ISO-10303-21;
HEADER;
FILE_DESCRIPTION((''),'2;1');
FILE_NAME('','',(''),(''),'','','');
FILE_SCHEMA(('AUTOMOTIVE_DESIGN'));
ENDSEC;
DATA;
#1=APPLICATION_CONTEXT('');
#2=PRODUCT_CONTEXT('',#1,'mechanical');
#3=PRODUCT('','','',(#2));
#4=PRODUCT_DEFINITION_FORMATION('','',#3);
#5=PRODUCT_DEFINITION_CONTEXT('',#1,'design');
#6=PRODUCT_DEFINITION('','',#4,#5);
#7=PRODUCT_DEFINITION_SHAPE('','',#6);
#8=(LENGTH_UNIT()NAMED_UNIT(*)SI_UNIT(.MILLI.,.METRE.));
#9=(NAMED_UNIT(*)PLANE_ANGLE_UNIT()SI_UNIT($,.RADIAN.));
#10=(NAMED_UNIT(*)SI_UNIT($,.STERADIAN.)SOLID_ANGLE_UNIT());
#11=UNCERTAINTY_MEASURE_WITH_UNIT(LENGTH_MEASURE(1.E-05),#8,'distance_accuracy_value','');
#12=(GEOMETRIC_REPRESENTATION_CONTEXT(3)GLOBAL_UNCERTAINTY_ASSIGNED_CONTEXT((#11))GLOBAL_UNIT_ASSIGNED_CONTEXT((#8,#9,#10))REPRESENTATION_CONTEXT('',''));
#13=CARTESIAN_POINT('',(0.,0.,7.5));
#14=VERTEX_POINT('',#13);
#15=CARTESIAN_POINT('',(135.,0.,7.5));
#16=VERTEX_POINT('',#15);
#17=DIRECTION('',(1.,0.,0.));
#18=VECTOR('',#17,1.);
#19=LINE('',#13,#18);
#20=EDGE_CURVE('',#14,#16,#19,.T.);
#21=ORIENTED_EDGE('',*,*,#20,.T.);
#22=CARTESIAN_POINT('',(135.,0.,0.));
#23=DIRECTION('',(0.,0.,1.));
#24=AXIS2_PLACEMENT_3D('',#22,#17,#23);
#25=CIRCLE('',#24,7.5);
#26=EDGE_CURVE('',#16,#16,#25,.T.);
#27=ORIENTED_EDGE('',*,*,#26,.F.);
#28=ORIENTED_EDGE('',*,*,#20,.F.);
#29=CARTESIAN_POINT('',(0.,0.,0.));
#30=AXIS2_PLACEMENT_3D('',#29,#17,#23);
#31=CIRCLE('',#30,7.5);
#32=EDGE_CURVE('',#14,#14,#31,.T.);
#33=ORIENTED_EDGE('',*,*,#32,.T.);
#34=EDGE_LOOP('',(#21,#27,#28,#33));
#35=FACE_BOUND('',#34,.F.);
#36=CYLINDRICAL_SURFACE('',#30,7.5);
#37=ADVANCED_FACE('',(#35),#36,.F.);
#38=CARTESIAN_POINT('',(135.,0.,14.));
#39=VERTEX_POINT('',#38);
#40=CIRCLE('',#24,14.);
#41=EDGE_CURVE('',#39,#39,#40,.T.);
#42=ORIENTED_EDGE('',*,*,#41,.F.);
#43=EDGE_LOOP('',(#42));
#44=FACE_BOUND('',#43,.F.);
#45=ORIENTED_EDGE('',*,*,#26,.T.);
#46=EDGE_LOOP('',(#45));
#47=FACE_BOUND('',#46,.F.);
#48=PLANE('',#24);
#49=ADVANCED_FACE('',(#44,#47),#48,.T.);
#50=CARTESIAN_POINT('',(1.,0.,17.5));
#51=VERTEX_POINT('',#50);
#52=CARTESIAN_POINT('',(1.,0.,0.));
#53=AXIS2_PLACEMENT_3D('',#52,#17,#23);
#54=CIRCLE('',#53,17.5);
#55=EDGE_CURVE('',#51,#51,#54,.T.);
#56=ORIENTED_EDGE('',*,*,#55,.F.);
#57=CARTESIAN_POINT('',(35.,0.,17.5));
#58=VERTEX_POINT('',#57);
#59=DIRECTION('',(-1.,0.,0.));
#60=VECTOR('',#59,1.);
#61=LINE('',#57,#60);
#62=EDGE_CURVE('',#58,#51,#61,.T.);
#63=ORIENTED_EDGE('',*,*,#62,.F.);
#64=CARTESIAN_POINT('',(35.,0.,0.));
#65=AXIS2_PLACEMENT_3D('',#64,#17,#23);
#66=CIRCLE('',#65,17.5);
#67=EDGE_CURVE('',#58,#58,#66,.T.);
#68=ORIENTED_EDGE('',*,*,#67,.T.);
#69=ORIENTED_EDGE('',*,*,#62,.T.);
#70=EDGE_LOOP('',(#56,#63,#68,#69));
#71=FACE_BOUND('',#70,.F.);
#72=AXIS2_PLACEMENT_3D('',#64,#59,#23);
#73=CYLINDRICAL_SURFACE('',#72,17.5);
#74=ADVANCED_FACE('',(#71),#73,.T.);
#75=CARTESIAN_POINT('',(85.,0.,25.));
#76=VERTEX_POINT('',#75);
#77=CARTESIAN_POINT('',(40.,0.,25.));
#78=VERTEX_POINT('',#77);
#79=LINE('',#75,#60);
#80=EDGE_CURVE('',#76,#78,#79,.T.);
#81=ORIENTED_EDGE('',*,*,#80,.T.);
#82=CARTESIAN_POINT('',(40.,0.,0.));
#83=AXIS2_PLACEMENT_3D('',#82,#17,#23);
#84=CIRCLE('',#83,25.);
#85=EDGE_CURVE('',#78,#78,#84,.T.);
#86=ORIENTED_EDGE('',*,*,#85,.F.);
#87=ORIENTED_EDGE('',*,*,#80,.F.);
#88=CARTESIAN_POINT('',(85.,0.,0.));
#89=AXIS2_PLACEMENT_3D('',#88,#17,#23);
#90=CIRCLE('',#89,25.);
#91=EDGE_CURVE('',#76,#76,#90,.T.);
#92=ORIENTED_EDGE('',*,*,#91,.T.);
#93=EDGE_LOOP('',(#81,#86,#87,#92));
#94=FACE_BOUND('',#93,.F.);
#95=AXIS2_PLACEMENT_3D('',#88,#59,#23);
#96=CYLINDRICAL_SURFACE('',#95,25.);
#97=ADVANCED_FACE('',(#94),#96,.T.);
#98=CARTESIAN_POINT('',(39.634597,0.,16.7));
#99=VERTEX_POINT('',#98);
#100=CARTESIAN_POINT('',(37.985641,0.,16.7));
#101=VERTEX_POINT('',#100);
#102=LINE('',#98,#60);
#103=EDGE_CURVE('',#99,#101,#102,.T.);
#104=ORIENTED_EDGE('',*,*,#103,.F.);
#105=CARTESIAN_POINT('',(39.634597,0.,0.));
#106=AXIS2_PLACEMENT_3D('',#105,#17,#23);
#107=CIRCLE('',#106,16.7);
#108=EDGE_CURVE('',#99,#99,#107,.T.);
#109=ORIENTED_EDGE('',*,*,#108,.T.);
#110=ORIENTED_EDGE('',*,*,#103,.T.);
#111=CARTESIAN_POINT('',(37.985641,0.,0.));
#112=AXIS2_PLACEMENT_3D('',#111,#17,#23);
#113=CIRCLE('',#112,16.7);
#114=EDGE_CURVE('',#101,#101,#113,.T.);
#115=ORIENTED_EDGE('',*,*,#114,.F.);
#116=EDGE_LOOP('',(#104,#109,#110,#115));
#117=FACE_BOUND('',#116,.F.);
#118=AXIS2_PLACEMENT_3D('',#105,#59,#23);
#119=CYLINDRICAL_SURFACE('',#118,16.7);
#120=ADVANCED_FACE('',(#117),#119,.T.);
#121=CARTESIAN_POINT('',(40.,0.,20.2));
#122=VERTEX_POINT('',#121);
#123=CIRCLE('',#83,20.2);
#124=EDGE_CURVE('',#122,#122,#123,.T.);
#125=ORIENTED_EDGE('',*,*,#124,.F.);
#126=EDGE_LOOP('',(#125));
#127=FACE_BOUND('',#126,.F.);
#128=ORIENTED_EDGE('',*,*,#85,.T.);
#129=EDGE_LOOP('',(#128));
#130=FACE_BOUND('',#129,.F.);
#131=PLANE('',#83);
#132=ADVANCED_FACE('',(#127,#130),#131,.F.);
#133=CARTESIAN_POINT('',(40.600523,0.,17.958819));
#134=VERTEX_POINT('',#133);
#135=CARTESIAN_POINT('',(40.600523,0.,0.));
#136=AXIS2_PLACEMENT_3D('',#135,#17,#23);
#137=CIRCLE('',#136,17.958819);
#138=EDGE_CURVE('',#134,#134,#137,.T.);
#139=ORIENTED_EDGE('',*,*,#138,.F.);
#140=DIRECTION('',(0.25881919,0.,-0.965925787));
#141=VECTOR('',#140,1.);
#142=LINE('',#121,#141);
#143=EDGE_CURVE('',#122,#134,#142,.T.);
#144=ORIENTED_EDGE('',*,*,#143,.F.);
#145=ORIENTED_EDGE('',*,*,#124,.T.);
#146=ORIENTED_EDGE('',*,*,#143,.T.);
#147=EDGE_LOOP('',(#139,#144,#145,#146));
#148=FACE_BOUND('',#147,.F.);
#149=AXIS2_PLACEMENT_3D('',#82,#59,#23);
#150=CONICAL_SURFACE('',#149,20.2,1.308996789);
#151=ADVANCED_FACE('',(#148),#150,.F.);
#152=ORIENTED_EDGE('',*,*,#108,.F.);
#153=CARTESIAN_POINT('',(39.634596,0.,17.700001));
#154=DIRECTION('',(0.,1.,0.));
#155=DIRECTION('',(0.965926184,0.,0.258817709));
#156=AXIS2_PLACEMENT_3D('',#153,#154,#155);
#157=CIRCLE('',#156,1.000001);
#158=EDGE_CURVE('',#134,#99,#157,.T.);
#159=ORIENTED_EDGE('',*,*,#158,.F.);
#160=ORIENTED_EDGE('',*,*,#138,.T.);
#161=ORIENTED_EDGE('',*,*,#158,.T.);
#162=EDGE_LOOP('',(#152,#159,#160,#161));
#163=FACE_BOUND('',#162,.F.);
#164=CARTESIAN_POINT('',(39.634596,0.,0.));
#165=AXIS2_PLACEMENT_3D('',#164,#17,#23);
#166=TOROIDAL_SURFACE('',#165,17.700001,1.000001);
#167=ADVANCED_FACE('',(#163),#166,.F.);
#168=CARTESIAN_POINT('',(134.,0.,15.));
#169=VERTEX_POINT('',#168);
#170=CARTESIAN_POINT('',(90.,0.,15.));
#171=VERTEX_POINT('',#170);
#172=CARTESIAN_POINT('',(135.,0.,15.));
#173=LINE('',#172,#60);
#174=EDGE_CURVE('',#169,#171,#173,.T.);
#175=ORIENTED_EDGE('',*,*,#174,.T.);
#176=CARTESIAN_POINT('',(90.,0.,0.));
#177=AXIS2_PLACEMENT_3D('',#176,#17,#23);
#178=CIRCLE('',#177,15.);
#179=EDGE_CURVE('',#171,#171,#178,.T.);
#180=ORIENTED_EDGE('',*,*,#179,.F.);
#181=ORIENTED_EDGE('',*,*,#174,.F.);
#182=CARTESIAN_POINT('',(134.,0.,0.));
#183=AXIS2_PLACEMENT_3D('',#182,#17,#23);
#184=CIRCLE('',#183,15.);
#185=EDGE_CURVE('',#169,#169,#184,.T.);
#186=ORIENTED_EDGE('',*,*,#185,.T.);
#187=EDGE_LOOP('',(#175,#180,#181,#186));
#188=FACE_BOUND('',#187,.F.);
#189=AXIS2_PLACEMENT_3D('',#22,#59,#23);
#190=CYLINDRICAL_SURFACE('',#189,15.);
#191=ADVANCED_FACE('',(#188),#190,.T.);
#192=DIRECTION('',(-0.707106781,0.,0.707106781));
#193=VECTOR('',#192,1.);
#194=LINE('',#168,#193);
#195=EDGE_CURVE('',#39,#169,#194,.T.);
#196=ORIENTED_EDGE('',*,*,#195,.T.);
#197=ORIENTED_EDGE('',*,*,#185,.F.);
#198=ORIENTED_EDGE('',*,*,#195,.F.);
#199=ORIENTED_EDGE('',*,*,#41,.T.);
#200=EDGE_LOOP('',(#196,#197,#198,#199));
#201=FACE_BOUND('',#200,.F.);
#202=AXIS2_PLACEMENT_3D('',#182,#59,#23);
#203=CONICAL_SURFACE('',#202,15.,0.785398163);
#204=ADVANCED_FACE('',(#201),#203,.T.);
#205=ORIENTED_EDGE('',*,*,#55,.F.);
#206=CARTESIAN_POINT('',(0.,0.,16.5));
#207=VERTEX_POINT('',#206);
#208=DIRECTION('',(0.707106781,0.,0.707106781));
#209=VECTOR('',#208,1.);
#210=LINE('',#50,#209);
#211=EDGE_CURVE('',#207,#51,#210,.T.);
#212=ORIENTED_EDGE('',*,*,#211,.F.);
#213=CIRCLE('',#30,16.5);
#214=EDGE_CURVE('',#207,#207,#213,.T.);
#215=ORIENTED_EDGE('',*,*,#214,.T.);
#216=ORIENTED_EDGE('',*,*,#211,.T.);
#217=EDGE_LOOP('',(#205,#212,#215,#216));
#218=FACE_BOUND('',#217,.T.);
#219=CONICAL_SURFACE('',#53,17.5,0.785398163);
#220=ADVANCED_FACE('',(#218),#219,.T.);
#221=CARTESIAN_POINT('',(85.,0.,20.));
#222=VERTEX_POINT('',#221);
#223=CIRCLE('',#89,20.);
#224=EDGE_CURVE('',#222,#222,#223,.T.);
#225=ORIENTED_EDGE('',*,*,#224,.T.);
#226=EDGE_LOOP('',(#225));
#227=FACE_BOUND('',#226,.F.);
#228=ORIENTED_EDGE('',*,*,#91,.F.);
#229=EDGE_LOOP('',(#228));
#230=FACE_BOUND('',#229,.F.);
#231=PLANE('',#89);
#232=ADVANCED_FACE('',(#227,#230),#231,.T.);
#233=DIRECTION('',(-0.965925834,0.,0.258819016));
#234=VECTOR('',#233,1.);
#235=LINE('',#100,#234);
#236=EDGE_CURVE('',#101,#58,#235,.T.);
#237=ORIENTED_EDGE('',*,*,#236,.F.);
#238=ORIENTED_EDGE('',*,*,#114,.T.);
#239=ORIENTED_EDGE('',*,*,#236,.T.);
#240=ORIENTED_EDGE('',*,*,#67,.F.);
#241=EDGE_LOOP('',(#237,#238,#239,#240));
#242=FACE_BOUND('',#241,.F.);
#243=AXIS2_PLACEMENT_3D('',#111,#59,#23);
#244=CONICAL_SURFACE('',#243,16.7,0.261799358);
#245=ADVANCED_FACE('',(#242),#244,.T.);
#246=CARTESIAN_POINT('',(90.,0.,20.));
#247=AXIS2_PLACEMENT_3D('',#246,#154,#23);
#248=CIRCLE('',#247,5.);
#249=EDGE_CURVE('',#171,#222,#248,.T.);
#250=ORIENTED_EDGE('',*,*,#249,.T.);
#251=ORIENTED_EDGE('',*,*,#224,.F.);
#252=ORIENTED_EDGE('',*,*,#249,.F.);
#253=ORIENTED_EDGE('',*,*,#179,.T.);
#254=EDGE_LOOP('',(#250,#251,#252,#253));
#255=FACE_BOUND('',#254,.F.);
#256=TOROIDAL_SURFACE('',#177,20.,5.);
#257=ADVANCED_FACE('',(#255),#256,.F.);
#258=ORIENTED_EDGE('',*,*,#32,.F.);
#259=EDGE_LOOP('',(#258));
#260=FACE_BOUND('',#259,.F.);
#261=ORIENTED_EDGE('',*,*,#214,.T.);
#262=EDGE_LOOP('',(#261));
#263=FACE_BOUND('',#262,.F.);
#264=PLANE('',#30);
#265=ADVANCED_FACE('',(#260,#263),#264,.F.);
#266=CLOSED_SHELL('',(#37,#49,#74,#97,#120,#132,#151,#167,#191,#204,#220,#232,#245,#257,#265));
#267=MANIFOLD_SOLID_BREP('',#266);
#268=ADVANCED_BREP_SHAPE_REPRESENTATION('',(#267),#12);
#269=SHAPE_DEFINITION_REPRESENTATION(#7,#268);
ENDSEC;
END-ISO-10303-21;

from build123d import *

# Parameters (mm, degrees)
F2_SIZE = 1
F3_R    = 5


with BuildPart() as f1:
    # F0 (on Front) → F1 (revolve)
    with BuildSketch(Plane.XZ):
        with BuildLine():
            Line((0, 17.5), (0, 7.5))
            Line((0, 7.5), (135, 7.5))
            Line((135, 7.5), (135, 15))
            Line((135, 15), (85, 15))
            Line((85, 15), (85, 25))
            Line((85, 25), (40, 25))
            Line((40, 25), (40, 20.2))
            Line((40, 20.2), (40.600523, 17.958819))
            ThreePointArc((40.600523, 17.958819), (40.42795, 17.091239), (39.634597, 16.7))
            Line((39.634597, 16.7), (37.985641, 16.7))
            Line((37.985641, 16.7), (35, 17.5))
            Line((35, 17.5), (0, 17.5))
        make_face()
    revolve(axis=Axis((67.5, 0, 0), (1, 0, 0)))

    # F2
    f2_edges = [f1.edges().sort_by_distance(p)[0] for p in [
        (0, 0, -17.5),
        (135, 0, -15),
    ]]
    chamfer(f2_edges, length=F2_SIZE)

    # F3
    f3_edges = [f1.edges().sort_by_distance(p)[0] for p in [
        (85, 0, -15),
    ]]
    fillet(f3_edges, radius=F3_R)


solid = f1.part
